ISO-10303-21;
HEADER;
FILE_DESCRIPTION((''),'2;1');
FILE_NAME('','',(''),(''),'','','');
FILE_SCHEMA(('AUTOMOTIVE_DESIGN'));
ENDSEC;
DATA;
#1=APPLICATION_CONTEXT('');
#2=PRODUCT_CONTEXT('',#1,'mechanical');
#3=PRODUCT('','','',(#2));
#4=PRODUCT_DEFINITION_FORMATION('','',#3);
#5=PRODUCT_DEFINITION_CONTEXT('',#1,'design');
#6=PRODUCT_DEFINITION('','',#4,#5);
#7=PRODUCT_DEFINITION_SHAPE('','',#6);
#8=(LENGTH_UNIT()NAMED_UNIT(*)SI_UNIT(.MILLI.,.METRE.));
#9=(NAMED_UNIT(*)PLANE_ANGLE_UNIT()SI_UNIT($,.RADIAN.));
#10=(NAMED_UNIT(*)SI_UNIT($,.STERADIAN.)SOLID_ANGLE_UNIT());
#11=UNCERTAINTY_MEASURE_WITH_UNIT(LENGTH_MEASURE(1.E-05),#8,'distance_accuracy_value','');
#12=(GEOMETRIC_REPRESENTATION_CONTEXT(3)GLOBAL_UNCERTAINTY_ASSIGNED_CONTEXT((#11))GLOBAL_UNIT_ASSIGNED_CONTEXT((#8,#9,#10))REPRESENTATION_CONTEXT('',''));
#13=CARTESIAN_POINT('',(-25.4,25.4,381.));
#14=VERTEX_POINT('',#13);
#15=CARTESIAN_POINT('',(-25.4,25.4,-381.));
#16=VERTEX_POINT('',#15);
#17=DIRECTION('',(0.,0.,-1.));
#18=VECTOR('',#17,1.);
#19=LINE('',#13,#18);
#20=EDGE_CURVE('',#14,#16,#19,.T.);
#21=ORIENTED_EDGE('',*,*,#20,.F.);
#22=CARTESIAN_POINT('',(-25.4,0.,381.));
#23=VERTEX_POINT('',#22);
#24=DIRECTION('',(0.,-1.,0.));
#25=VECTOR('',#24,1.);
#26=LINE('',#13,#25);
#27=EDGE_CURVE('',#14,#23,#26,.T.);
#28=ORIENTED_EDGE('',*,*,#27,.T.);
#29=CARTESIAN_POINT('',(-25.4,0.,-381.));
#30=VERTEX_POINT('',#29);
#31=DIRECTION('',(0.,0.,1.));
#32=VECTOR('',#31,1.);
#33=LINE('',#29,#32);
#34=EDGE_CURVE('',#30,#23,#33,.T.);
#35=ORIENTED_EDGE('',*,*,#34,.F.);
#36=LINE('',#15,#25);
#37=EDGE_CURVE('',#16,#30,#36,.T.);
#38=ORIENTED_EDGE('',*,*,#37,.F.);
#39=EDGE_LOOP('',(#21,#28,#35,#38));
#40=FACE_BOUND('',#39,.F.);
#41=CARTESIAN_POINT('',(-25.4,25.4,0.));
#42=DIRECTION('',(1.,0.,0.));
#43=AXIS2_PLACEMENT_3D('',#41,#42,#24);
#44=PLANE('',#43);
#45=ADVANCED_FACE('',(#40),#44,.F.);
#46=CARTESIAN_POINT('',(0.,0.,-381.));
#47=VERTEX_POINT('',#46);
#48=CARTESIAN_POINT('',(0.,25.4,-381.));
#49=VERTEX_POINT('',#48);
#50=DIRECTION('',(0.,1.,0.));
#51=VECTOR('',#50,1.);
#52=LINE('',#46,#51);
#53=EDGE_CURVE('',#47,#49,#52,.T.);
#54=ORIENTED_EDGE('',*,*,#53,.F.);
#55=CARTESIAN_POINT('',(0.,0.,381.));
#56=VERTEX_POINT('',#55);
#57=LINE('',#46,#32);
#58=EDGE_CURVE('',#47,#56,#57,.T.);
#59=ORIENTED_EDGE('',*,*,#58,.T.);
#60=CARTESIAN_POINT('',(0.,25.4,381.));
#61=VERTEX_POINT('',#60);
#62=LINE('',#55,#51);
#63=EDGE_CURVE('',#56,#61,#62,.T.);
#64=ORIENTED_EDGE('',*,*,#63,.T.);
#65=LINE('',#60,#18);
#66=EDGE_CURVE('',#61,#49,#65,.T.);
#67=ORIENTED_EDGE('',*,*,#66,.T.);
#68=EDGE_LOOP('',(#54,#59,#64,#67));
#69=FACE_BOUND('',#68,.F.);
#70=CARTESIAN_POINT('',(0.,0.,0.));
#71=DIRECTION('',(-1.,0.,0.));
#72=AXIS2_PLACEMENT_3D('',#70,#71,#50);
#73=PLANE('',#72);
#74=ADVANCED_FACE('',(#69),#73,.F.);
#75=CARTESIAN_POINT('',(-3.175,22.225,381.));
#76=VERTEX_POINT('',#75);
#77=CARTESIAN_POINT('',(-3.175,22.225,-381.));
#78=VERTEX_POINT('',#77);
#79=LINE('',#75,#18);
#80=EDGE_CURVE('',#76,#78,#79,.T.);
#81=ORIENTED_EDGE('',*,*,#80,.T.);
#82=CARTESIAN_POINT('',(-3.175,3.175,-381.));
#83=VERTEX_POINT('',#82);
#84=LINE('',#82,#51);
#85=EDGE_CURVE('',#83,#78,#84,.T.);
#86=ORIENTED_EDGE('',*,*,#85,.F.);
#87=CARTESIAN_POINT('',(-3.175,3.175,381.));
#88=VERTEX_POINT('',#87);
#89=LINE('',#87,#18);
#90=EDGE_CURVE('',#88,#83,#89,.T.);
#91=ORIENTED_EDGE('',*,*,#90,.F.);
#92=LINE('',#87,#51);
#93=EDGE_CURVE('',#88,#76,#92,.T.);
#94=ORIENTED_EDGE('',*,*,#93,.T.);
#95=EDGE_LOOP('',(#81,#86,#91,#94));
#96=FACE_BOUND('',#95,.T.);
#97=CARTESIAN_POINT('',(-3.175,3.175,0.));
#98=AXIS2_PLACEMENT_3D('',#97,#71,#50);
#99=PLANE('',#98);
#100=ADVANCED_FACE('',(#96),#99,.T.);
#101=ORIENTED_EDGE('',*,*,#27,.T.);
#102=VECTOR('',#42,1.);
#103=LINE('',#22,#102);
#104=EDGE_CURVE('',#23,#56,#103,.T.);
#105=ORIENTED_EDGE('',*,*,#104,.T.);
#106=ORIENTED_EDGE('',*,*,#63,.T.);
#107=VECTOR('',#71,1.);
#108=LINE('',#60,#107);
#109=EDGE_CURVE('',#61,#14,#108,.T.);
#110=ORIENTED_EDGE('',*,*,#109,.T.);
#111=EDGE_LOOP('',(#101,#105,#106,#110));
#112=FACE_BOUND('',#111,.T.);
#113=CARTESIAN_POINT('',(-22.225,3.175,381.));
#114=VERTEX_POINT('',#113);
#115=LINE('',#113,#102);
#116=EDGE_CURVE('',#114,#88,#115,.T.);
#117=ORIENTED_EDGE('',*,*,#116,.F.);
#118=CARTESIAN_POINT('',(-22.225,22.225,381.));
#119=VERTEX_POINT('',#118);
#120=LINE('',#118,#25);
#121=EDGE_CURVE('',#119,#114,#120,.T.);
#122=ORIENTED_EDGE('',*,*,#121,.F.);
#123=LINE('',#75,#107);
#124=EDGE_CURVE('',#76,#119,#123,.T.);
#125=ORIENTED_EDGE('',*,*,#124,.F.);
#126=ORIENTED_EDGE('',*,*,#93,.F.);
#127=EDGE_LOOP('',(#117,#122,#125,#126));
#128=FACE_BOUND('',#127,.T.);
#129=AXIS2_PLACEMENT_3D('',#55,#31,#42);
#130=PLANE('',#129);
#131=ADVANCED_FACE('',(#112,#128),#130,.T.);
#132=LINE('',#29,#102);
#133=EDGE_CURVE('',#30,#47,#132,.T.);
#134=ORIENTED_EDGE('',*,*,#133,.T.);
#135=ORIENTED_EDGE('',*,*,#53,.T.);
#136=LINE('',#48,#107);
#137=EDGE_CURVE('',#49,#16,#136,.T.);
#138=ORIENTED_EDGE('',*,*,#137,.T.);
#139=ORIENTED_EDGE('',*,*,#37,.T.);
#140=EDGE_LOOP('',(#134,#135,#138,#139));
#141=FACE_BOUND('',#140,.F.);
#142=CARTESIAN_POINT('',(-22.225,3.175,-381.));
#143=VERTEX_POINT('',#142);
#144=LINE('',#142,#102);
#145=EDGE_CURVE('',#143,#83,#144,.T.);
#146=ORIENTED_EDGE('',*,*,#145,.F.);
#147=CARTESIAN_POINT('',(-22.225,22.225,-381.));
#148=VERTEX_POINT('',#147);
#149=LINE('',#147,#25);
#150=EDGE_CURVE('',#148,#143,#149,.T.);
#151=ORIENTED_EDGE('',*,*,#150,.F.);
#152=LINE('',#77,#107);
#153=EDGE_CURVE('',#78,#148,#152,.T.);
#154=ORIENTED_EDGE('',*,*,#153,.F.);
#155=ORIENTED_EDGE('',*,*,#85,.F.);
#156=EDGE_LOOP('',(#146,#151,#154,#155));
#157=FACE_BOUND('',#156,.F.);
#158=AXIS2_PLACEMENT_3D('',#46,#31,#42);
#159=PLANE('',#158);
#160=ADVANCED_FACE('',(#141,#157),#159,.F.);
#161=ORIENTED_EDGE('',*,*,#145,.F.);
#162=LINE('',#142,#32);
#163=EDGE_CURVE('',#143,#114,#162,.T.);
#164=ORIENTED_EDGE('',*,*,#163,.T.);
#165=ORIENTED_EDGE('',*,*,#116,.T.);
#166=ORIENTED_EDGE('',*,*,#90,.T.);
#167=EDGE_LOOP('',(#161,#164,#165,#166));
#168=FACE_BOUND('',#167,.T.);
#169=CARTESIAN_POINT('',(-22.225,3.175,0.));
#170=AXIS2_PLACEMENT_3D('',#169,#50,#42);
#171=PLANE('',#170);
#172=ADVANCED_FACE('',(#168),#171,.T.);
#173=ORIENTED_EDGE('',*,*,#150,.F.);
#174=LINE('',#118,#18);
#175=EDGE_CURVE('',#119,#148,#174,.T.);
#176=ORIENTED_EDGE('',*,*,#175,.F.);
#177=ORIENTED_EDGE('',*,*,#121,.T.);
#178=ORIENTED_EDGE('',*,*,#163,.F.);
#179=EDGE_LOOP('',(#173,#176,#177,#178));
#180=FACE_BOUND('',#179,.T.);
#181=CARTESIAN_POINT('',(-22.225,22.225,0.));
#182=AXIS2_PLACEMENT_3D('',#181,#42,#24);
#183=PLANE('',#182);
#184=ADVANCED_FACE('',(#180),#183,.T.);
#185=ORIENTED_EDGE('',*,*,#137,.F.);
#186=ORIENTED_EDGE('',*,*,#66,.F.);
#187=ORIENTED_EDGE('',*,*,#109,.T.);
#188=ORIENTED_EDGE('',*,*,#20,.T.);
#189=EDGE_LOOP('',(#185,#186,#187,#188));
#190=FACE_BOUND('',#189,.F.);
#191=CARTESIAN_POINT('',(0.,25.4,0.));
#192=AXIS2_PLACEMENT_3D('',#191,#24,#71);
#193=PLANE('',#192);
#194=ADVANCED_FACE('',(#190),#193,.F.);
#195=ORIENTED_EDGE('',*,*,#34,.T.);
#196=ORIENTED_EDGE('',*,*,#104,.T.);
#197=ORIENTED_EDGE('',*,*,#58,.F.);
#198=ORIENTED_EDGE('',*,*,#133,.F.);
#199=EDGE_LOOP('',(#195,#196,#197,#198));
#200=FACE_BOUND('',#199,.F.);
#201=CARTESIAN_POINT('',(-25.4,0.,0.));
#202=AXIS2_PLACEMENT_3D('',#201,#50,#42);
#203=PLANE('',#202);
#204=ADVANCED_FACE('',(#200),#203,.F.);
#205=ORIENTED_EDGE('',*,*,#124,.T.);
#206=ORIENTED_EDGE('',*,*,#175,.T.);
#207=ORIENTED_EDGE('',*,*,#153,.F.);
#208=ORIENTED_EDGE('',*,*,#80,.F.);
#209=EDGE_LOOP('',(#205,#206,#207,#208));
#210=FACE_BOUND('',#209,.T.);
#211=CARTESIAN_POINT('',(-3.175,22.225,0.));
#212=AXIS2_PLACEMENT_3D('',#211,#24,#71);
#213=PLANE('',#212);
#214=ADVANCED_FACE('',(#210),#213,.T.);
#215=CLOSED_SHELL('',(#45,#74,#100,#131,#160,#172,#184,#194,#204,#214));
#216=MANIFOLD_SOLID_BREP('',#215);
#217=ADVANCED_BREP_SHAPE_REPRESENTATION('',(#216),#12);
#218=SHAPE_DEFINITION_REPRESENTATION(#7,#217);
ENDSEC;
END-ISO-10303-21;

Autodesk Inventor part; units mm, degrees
ref_plane "YZ Plane" through (0, 0, 0) normal (1, 0, 0) x (0, 1, 0)
ref_plane "XZ Plane" through (0, 0, 0) normal (0, 1, 0) x (-1, 0, 0)
ref_plane "XY Plane" through (0, 0, 0) normal (0, 0, 1) x (1, 0, 0)
sketch "Sketch1" plane through (0, 0, 0) normal (0, 0, 1) x (1, 0, 0)
  line L0 (-25.4, 0) -> (0, 0)
  line L1 (0, 0) -> (0, 25.4)
  line L2 (0, 25.4) -> (-25.4, 25.4)
  line L3 (-25.4, 25.4) -> (-25.4, 0)
  line L4 (-22.225, 3.175) -> (-3.175, 3.175)
  line L5 (-3.175, 3.175) -> (-3.175, 22.225)
  line L6 (-3.175, 22.225) -> (-22.225, 22.225)
  line L7 (-22.225, 22.225) -> (-22.225, 3.175)
  dimension "d0" = 25.4
  dimension "d1" = 25.4
  dimension "d2" = 19.05
  dimension "d3" = 19.05
extrude "Extrusion1" add sketch "Sketch1" along normal mid plane 762
properties part number "30 tubing"
